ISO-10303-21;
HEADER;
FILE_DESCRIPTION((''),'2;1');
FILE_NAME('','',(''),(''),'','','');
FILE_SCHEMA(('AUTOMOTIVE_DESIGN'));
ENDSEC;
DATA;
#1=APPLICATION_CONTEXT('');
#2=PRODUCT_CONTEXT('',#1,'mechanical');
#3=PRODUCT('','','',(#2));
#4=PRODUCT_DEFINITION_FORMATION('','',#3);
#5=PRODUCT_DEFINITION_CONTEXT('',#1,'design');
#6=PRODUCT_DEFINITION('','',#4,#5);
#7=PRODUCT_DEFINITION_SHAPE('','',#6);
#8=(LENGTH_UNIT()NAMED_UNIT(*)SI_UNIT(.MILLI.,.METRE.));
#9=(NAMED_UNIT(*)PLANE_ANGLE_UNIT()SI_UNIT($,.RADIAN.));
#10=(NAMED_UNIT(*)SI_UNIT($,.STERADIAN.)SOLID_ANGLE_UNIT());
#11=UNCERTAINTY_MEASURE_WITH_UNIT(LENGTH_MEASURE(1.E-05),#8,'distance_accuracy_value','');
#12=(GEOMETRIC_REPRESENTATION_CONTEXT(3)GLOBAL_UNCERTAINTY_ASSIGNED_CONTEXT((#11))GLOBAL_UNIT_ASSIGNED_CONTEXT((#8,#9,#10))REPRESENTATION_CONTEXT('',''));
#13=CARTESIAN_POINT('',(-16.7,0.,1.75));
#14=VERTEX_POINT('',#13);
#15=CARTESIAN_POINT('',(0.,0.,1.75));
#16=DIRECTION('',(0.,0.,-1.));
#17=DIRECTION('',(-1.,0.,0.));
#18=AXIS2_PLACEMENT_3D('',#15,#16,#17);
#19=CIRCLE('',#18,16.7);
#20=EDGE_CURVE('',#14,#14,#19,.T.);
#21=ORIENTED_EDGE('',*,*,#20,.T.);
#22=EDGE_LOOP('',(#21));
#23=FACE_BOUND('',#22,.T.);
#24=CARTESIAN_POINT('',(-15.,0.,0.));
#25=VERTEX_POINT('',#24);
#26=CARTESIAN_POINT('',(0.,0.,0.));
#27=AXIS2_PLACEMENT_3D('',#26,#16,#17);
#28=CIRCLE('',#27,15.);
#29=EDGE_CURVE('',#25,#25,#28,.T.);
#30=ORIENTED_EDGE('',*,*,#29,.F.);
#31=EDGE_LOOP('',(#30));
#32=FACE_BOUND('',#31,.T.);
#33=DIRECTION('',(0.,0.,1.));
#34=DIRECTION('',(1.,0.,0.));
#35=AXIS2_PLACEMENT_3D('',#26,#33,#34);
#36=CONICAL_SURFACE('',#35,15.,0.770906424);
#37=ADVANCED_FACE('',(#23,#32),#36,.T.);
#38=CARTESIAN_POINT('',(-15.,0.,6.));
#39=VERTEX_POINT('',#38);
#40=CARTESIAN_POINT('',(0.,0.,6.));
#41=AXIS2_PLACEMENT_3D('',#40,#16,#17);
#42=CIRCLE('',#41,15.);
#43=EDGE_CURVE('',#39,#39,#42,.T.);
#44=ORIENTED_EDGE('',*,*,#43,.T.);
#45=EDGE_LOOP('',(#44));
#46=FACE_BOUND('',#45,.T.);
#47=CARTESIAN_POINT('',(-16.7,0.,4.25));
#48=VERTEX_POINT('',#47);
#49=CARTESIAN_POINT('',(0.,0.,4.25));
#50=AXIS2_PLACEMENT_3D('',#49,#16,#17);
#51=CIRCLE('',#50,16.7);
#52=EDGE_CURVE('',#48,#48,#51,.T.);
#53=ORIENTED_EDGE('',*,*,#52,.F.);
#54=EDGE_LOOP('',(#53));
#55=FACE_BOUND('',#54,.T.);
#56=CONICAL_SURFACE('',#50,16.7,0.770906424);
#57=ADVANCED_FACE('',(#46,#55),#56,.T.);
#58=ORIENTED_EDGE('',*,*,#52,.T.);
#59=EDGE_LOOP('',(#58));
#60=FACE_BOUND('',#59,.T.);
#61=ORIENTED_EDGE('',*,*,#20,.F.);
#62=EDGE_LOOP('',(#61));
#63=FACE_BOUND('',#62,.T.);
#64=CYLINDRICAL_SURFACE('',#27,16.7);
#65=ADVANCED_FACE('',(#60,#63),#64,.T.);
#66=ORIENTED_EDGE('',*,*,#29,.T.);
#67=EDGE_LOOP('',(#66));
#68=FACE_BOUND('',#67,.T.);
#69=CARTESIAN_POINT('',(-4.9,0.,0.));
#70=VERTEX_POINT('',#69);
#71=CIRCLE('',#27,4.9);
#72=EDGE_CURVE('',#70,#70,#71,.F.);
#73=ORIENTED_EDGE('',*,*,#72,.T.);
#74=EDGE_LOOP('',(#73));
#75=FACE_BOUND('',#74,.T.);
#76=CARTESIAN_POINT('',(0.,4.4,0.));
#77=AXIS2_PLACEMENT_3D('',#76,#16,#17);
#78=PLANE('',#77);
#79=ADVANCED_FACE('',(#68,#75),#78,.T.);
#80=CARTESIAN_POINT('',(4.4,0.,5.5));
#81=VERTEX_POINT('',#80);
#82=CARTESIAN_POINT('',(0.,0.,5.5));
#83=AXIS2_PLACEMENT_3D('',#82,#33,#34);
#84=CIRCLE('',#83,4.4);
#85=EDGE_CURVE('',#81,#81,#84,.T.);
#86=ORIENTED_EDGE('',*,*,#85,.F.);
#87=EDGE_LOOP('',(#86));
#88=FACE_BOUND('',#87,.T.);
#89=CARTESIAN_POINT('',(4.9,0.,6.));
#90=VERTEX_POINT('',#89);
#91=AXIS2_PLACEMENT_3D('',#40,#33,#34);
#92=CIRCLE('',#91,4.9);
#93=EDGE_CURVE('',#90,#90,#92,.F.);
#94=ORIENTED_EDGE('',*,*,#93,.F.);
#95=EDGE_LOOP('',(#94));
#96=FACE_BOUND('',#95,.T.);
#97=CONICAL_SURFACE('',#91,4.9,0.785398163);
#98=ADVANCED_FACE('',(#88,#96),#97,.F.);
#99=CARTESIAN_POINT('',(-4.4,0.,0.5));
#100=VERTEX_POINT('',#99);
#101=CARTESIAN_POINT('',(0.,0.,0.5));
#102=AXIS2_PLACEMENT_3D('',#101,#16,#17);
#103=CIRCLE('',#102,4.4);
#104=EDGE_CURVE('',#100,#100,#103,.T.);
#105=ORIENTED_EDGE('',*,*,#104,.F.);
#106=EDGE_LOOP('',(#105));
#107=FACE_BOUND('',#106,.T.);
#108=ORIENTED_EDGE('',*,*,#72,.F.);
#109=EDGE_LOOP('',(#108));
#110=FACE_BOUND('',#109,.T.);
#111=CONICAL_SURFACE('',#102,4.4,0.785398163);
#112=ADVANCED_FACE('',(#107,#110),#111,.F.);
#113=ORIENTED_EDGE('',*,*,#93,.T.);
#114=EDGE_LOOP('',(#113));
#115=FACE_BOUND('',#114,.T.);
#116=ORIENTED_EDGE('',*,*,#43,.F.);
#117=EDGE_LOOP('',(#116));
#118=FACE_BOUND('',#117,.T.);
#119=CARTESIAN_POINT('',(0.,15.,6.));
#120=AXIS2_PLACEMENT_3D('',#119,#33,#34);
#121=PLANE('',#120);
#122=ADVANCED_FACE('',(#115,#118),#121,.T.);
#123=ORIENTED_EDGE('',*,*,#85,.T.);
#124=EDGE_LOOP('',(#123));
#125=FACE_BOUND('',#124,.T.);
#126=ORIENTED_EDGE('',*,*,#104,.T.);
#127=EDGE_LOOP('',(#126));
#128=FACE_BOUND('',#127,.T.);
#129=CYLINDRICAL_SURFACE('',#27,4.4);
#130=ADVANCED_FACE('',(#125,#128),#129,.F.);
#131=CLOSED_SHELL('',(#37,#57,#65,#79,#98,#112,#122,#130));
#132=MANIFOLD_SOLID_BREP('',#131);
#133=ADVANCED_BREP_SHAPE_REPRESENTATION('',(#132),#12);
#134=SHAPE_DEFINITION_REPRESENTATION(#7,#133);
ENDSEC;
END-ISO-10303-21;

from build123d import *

# Parameters (mm, degrees)
CHAMFER1_SIZE = 0.5


with BuildPart() as part:
    # Sketch1 → Revolve1 (revolve)
    with BuildSketch(Plane(origin=(0, 0, 0), x_dir=(0, 0, -1), z_dir=(1, 0, 0)), mode=Mode.PRIVATE) as revolve1_sk:
        Polygon((0, 4.4), (0, 15), (-1.75, 16.7), (-4.25, 16.7), (-6, 15), (-6, 4.4), align=None)
    revolve(revolve1_sk.sketch.rotate(Axis((0, 0, 0), (0, 0, 1)), 90), axis=Axis((0, 0, 0), (0, 0, 1)))

    # Chamfer1
    chamfer1_edges = [part.edges().sort_by_distance(p)[0] for p in [
        (4.4, 0, 6),
        (4.4, 0, 0),
    ]]
    chamfer(chamfer1_edges, length=CHAMFER1_SIZE)


solid = part.part
